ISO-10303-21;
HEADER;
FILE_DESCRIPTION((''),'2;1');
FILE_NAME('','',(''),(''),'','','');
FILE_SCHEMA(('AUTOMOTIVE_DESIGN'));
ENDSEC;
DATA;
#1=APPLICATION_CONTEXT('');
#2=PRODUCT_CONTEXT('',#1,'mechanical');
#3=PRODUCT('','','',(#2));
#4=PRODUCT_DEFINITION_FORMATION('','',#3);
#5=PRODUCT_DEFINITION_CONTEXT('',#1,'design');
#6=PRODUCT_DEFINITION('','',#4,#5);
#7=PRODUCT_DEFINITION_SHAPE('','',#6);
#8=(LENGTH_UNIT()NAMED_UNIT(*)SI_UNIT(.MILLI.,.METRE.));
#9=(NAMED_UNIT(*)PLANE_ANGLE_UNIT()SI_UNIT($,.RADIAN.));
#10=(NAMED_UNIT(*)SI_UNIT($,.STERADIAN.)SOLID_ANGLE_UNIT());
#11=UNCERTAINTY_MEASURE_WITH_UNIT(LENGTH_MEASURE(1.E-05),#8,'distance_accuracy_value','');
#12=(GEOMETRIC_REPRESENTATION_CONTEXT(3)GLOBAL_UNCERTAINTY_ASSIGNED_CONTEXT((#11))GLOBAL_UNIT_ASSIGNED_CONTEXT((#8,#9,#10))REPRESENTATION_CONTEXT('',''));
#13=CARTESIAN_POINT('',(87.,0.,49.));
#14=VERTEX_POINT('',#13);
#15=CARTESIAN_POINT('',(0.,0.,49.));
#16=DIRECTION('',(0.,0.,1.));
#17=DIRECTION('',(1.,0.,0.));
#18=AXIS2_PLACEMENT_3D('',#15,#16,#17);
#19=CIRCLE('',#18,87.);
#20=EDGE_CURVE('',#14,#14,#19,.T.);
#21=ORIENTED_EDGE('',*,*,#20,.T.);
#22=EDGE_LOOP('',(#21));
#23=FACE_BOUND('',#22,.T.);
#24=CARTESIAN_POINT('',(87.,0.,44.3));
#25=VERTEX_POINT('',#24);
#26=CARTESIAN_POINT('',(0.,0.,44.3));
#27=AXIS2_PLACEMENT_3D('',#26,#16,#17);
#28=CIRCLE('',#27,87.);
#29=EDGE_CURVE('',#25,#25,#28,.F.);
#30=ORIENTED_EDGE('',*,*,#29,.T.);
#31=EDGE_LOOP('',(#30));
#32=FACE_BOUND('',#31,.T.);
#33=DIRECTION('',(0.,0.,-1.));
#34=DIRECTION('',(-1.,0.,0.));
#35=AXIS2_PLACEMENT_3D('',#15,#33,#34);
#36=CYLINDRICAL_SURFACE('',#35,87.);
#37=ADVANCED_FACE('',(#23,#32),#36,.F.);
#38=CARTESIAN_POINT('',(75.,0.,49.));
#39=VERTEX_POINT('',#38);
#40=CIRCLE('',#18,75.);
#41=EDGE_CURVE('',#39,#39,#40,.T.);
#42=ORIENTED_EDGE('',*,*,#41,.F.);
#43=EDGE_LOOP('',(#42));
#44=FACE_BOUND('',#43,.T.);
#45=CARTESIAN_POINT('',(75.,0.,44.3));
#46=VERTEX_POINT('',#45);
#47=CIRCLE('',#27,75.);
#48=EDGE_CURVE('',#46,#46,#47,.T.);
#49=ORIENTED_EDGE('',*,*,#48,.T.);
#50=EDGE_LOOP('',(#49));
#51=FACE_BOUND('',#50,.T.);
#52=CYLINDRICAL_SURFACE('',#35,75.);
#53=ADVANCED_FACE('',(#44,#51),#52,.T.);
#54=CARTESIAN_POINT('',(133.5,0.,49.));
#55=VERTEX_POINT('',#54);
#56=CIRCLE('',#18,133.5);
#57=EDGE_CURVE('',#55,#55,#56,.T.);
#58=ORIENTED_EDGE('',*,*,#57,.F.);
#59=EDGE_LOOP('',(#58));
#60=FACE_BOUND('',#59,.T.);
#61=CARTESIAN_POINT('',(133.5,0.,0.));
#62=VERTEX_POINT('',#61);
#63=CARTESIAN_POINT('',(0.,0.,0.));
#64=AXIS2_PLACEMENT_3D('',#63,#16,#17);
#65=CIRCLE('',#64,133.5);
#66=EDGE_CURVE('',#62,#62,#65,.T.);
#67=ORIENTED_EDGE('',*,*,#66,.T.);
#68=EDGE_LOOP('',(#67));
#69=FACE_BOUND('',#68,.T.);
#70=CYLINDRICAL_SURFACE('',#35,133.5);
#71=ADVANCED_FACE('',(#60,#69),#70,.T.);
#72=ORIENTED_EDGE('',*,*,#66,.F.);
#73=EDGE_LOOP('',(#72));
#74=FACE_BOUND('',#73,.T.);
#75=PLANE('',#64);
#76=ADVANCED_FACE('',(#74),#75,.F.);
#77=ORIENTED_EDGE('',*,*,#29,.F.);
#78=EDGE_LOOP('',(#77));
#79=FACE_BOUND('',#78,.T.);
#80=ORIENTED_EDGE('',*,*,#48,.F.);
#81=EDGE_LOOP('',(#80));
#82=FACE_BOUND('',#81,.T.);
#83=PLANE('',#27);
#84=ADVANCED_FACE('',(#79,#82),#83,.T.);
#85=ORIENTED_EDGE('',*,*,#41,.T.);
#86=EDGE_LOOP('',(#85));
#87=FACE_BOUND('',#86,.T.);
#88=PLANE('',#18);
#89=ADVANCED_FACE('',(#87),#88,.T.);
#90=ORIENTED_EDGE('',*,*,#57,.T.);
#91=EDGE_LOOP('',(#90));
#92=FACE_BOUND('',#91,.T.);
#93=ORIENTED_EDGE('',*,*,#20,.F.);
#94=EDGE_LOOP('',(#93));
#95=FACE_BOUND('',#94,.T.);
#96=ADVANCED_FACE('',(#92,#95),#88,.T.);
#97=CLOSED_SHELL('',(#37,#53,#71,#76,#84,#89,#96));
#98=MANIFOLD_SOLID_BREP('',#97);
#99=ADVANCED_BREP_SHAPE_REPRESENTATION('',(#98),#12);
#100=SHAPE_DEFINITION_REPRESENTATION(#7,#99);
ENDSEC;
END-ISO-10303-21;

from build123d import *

# Parameters (mm, degrees)
SKETCH1_R           = 75
BOSS_EXTRUDE1_DEPTH = 49
SKETCH1_3_R         = 87
SKETCH1_3_R_2       = 75
BOSS_EXTRUDE2_DEPTH = 44.3
SKETCH1_4_R         = 133.5
SKETCH1_4_R_2       = 87
BOSS_EXTRUDE3_DEPTH = 49


with BuildPart() as part:
    # Sketch1 → Boss-Extrude1 (new body)
    with BuildSketch(Plane.XY):
        Circle(SKETCH1_R)
    extrude(amount=BOSS_EXTRUDE1_DEPTH)

    # Sketch1<3> → Boss-Extrude2 (add)
    with BuildSketch(Plane.XY):
        Circle(SKETCH1_3_R)
        Circle(SKETCH1_3_R_2, mode=Mode.SUBTRACT)
    extrude(amount=BOSS_EXTRUDE2_DEPTH)

    # Sketch1<4> → Boss-Extrude3 (add)
    with BuildSketch(Plane.XY):
        Circle(SKETCH1_4_R)
        Circle(SKETCH1_4_R_2, mode=Mode.SUBTRACT)
    extrude(amount=BOSS_EXTRUDE3_DEPTH)


solid = part.part
